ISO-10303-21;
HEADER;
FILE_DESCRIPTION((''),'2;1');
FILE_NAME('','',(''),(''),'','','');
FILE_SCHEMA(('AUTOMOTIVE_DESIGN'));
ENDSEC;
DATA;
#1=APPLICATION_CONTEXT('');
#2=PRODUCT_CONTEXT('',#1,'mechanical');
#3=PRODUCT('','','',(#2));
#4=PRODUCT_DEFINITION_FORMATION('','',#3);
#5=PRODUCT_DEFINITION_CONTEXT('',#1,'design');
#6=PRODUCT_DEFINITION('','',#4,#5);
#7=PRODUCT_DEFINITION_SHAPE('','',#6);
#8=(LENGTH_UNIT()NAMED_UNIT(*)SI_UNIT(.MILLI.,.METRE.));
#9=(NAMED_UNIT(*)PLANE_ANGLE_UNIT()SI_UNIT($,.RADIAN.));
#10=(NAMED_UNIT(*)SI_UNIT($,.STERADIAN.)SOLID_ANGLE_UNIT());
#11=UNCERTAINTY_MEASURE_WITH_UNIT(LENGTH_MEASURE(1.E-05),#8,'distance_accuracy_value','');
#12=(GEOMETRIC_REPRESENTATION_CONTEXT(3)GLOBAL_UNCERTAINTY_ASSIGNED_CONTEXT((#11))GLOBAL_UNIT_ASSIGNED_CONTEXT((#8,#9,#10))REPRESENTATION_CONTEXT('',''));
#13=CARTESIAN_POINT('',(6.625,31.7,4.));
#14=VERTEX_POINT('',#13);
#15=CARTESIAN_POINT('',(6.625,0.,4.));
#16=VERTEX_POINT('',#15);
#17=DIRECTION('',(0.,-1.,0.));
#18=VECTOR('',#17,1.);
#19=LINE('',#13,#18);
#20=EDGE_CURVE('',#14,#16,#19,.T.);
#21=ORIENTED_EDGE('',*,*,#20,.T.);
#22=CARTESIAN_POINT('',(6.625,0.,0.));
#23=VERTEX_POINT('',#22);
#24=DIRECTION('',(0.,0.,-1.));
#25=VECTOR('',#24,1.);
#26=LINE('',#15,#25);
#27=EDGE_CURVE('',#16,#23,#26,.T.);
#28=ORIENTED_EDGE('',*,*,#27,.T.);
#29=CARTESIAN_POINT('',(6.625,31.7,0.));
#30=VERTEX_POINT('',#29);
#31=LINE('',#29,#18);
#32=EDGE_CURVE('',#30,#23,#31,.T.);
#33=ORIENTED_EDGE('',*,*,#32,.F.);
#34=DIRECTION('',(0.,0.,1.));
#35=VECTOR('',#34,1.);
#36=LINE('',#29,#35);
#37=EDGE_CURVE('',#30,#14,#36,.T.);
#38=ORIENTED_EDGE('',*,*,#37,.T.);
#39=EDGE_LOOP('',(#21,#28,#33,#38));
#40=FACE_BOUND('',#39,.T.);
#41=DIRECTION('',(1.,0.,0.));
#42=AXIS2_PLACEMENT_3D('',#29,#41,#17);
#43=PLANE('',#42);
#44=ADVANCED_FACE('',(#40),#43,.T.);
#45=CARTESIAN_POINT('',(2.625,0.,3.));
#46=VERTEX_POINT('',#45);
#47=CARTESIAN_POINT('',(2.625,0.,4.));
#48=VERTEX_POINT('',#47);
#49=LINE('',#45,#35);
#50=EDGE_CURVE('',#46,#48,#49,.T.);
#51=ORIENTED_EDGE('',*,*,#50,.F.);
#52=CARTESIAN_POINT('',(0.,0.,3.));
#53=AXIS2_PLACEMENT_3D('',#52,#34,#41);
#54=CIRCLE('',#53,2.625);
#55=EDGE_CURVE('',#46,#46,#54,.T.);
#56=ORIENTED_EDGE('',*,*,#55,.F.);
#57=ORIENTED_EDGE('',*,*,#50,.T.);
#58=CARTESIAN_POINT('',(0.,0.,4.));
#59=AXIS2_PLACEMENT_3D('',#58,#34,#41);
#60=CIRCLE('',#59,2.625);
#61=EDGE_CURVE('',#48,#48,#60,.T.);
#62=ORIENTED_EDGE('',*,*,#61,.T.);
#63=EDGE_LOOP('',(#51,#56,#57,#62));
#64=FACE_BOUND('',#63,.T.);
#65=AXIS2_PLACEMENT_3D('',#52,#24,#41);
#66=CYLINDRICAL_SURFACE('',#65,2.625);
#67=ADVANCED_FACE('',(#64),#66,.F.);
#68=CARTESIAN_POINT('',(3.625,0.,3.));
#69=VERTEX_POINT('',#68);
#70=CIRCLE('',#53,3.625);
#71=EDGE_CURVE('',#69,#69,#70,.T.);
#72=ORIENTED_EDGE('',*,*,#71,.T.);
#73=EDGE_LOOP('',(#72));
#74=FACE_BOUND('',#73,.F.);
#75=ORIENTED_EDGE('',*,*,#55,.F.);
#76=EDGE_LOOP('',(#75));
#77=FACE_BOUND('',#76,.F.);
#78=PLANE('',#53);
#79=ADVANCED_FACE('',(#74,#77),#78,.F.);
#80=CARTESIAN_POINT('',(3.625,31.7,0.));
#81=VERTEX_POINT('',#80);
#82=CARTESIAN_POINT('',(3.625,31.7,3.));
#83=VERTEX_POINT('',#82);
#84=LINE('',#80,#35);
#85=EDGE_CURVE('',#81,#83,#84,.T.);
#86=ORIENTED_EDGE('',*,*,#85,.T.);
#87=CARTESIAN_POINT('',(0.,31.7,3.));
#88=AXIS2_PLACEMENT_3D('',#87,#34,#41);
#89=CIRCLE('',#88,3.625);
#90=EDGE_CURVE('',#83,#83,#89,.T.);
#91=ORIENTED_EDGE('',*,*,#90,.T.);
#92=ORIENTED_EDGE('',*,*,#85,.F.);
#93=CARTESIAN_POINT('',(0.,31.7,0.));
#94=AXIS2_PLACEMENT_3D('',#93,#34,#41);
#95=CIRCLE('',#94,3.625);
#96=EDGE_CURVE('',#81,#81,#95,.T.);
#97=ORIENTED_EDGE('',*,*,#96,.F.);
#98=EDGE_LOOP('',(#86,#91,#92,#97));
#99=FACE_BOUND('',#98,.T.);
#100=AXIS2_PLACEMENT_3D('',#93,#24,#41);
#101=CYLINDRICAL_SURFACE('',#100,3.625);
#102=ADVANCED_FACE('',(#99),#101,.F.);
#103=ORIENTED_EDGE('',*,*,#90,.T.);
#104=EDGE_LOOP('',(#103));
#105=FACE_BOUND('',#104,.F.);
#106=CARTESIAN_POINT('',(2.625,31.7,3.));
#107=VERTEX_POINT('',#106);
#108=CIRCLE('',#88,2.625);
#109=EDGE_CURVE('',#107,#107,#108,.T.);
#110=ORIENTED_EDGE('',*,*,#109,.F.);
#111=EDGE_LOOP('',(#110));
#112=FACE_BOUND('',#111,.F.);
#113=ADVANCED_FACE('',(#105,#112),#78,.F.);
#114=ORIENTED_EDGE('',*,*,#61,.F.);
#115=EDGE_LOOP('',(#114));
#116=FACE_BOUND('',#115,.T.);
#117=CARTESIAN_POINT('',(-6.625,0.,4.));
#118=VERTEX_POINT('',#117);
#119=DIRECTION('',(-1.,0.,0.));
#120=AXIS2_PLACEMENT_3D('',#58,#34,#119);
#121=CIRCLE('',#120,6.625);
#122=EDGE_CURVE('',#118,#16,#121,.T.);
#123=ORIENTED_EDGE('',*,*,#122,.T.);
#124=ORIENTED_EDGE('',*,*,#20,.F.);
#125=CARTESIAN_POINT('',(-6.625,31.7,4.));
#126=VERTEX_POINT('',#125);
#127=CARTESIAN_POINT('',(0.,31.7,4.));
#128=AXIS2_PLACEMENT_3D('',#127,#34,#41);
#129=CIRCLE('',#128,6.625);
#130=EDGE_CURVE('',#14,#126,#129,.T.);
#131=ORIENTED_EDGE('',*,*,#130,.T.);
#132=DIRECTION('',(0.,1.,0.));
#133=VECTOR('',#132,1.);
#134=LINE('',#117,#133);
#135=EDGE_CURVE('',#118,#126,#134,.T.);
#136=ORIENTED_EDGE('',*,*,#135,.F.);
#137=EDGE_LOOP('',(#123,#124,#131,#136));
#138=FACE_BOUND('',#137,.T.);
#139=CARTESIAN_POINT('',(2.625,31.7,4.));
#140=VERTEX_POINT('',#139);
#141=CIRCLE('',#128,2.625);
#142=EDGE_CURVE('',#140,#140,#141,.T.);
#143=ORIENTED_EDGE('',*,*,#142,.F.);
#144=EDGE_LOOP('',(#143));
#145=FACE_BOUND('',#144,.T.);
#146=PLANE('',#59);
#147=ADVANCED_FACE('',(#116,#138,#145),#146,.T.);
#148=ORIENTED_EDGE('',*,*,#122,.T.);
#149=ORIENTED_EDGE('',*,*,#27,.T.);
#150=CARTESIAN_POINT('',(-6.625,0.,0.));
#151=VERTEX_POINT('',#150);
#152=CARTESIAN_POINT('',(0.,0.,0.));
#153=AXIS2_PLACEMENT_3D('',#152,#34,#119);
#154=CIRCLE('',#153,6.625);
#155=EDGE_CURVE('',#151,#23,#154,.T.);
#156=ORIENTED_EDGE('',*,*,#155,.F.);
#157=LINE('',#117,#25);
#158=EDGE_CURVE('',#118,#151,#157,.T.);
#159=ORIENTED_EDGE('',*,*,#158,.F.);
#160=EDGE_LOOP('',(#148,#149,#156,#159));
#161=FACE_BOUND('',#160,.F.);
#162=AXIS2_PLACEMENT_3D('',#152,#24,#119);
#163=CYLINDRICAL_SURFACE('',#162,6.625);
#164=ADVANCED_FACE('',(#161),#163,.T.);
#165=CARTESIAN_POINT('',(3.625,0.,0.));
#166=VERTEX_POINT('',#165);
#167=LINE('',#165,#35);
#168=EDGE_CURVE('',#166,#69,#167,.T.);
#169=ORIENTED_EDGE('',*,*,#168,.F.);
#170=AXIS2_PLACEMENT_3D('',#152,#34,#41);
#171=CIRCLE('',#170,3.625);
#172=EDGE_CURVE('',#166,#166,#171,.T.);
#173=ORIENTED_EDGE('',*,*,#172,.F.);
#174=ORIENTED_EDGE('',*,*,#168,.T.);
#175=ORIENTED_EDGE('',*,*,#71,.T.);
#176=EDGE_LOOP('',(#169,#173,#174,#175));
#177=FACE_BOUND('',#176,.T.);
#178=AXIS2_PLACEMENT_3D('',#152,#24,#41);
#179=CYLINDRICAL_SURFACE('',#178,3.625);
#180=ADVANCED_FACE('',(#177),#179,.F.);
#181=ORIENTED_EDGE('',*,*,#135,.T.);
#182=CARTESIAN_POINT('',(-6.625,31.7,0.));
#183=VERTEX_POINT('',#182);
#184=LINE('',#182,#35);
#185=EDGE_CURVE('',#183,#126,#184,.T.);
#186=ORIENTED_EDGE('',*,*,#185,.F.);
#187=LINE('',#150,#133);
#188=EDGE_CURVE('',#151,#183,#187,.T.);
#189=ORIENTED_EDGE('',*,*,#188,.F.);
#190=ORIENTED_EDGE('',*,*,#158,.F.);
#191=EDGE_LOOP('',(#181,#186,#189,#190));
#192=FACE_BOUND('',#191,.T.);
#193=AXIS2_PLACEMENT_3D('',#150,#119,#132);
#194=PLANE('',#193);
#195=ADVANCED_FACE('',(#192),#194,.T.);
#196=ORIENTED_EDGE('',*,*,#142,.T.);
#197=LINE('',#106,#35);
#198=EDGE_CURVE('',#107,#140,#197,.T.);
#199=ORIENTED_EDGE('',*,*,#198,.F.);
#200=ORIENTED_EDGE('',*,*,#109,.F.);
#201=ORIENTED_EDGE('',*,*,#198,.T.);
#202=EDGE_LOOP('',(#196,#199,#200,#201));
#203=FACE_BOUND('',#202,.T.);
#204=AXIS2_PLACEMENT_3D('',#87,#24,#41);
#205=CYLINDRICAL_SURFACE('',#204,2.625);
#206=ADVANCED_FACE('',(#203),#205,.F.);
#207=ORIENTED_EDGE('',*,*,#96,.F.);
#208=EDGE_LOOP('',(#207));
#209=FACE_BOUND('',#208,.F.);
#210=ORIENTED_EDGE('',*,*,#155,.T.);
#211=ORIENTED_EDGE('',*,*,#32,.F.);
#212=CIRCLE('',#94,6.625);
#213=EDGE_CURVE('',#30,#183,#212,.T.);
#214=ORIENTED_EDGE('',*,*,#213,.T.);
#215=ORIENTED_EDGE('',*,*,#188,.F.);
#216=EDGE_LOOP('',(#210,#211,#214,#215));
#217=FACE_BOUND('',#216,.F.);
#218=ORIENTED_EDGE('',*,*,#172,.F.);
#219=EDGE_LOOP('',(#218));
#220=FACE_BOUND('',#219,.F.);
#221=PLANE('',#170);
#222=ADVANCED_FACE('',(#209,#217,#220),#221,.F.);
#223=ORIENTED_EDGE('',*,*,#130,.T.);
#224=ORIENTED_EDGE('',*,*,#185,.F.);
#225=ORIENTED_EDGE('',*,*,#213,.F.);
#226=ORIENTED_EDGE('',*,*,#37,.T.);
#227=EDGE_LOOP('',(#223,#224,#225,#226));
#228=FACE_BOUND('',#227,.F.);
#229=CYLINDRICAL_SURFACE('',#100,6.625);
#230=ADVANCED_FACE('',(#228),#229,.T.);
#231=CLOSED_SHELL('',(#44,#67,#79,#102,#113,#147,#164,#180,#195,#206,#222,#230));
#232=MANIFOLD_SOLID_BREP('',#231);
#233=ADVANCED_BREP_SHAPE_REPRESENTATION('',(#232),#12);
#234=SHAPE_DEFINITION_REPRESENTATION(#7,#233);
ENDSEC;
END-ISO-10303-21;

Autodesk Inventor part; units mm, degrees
ref_plane "YZ Plane" through (0, 0, 0) normal (1, 0, 0) x (0, 1, 0)
ref_plane "XZ Plane" through (0, 0, 0) normal (0, 1, 0) x (-1, 0, 0)
ref_plane "XY Plane" through (0, 0, 0) normal (0, 0, 1) x (1, 0, 0)
sketch "Skizze1" plane through (0, 0, 0) normal (0, 0, 1) x (1, 0, 0)
  circle A0 centre (0, 0) radius 3.625
  line L0 (0, 47.315) -> (0, -15.615) construction
  line L1 (-9.275, 0) -> (9.275, 0) construction
  circle A1 centre (0, 31.7) radius 3.625
  line L2 (0, 31.7) -> (0, 0) construction
  line L3 (6.625, 31.7) -> (6.625, 0)
  line L4 (-6.625, 0) -> (-6.625, 31.7)
  arc A2 (6.625, 31.7) -> (-6.625, 31.7) centre (0, 31.7) ccw
  arc A3 (-6.625, 0) -> (6.625, 0) centre (0, 0) ccw
  circle A4 centre (0, 31.7) radius 2.625
  circle A5 centre (0, 0) radius 2.625
  point P0 (0, 15.85)
  dimension "d1" = 7.25
  dimension "d2" = 31.7
  dimension "d3" = 1
  dimension "d4" = 3
extrude "Extrusion1" add sketch "Skizze1" along normal blind 3 contours L3 A3 L4 A2
extrude "Extrusion2" add sketch "Skizze1" along normal blind 1 from surface at 3 contours A0 | A1 | L3 A3 L4 A2
properties part number "BeltDriveTestHolder"
